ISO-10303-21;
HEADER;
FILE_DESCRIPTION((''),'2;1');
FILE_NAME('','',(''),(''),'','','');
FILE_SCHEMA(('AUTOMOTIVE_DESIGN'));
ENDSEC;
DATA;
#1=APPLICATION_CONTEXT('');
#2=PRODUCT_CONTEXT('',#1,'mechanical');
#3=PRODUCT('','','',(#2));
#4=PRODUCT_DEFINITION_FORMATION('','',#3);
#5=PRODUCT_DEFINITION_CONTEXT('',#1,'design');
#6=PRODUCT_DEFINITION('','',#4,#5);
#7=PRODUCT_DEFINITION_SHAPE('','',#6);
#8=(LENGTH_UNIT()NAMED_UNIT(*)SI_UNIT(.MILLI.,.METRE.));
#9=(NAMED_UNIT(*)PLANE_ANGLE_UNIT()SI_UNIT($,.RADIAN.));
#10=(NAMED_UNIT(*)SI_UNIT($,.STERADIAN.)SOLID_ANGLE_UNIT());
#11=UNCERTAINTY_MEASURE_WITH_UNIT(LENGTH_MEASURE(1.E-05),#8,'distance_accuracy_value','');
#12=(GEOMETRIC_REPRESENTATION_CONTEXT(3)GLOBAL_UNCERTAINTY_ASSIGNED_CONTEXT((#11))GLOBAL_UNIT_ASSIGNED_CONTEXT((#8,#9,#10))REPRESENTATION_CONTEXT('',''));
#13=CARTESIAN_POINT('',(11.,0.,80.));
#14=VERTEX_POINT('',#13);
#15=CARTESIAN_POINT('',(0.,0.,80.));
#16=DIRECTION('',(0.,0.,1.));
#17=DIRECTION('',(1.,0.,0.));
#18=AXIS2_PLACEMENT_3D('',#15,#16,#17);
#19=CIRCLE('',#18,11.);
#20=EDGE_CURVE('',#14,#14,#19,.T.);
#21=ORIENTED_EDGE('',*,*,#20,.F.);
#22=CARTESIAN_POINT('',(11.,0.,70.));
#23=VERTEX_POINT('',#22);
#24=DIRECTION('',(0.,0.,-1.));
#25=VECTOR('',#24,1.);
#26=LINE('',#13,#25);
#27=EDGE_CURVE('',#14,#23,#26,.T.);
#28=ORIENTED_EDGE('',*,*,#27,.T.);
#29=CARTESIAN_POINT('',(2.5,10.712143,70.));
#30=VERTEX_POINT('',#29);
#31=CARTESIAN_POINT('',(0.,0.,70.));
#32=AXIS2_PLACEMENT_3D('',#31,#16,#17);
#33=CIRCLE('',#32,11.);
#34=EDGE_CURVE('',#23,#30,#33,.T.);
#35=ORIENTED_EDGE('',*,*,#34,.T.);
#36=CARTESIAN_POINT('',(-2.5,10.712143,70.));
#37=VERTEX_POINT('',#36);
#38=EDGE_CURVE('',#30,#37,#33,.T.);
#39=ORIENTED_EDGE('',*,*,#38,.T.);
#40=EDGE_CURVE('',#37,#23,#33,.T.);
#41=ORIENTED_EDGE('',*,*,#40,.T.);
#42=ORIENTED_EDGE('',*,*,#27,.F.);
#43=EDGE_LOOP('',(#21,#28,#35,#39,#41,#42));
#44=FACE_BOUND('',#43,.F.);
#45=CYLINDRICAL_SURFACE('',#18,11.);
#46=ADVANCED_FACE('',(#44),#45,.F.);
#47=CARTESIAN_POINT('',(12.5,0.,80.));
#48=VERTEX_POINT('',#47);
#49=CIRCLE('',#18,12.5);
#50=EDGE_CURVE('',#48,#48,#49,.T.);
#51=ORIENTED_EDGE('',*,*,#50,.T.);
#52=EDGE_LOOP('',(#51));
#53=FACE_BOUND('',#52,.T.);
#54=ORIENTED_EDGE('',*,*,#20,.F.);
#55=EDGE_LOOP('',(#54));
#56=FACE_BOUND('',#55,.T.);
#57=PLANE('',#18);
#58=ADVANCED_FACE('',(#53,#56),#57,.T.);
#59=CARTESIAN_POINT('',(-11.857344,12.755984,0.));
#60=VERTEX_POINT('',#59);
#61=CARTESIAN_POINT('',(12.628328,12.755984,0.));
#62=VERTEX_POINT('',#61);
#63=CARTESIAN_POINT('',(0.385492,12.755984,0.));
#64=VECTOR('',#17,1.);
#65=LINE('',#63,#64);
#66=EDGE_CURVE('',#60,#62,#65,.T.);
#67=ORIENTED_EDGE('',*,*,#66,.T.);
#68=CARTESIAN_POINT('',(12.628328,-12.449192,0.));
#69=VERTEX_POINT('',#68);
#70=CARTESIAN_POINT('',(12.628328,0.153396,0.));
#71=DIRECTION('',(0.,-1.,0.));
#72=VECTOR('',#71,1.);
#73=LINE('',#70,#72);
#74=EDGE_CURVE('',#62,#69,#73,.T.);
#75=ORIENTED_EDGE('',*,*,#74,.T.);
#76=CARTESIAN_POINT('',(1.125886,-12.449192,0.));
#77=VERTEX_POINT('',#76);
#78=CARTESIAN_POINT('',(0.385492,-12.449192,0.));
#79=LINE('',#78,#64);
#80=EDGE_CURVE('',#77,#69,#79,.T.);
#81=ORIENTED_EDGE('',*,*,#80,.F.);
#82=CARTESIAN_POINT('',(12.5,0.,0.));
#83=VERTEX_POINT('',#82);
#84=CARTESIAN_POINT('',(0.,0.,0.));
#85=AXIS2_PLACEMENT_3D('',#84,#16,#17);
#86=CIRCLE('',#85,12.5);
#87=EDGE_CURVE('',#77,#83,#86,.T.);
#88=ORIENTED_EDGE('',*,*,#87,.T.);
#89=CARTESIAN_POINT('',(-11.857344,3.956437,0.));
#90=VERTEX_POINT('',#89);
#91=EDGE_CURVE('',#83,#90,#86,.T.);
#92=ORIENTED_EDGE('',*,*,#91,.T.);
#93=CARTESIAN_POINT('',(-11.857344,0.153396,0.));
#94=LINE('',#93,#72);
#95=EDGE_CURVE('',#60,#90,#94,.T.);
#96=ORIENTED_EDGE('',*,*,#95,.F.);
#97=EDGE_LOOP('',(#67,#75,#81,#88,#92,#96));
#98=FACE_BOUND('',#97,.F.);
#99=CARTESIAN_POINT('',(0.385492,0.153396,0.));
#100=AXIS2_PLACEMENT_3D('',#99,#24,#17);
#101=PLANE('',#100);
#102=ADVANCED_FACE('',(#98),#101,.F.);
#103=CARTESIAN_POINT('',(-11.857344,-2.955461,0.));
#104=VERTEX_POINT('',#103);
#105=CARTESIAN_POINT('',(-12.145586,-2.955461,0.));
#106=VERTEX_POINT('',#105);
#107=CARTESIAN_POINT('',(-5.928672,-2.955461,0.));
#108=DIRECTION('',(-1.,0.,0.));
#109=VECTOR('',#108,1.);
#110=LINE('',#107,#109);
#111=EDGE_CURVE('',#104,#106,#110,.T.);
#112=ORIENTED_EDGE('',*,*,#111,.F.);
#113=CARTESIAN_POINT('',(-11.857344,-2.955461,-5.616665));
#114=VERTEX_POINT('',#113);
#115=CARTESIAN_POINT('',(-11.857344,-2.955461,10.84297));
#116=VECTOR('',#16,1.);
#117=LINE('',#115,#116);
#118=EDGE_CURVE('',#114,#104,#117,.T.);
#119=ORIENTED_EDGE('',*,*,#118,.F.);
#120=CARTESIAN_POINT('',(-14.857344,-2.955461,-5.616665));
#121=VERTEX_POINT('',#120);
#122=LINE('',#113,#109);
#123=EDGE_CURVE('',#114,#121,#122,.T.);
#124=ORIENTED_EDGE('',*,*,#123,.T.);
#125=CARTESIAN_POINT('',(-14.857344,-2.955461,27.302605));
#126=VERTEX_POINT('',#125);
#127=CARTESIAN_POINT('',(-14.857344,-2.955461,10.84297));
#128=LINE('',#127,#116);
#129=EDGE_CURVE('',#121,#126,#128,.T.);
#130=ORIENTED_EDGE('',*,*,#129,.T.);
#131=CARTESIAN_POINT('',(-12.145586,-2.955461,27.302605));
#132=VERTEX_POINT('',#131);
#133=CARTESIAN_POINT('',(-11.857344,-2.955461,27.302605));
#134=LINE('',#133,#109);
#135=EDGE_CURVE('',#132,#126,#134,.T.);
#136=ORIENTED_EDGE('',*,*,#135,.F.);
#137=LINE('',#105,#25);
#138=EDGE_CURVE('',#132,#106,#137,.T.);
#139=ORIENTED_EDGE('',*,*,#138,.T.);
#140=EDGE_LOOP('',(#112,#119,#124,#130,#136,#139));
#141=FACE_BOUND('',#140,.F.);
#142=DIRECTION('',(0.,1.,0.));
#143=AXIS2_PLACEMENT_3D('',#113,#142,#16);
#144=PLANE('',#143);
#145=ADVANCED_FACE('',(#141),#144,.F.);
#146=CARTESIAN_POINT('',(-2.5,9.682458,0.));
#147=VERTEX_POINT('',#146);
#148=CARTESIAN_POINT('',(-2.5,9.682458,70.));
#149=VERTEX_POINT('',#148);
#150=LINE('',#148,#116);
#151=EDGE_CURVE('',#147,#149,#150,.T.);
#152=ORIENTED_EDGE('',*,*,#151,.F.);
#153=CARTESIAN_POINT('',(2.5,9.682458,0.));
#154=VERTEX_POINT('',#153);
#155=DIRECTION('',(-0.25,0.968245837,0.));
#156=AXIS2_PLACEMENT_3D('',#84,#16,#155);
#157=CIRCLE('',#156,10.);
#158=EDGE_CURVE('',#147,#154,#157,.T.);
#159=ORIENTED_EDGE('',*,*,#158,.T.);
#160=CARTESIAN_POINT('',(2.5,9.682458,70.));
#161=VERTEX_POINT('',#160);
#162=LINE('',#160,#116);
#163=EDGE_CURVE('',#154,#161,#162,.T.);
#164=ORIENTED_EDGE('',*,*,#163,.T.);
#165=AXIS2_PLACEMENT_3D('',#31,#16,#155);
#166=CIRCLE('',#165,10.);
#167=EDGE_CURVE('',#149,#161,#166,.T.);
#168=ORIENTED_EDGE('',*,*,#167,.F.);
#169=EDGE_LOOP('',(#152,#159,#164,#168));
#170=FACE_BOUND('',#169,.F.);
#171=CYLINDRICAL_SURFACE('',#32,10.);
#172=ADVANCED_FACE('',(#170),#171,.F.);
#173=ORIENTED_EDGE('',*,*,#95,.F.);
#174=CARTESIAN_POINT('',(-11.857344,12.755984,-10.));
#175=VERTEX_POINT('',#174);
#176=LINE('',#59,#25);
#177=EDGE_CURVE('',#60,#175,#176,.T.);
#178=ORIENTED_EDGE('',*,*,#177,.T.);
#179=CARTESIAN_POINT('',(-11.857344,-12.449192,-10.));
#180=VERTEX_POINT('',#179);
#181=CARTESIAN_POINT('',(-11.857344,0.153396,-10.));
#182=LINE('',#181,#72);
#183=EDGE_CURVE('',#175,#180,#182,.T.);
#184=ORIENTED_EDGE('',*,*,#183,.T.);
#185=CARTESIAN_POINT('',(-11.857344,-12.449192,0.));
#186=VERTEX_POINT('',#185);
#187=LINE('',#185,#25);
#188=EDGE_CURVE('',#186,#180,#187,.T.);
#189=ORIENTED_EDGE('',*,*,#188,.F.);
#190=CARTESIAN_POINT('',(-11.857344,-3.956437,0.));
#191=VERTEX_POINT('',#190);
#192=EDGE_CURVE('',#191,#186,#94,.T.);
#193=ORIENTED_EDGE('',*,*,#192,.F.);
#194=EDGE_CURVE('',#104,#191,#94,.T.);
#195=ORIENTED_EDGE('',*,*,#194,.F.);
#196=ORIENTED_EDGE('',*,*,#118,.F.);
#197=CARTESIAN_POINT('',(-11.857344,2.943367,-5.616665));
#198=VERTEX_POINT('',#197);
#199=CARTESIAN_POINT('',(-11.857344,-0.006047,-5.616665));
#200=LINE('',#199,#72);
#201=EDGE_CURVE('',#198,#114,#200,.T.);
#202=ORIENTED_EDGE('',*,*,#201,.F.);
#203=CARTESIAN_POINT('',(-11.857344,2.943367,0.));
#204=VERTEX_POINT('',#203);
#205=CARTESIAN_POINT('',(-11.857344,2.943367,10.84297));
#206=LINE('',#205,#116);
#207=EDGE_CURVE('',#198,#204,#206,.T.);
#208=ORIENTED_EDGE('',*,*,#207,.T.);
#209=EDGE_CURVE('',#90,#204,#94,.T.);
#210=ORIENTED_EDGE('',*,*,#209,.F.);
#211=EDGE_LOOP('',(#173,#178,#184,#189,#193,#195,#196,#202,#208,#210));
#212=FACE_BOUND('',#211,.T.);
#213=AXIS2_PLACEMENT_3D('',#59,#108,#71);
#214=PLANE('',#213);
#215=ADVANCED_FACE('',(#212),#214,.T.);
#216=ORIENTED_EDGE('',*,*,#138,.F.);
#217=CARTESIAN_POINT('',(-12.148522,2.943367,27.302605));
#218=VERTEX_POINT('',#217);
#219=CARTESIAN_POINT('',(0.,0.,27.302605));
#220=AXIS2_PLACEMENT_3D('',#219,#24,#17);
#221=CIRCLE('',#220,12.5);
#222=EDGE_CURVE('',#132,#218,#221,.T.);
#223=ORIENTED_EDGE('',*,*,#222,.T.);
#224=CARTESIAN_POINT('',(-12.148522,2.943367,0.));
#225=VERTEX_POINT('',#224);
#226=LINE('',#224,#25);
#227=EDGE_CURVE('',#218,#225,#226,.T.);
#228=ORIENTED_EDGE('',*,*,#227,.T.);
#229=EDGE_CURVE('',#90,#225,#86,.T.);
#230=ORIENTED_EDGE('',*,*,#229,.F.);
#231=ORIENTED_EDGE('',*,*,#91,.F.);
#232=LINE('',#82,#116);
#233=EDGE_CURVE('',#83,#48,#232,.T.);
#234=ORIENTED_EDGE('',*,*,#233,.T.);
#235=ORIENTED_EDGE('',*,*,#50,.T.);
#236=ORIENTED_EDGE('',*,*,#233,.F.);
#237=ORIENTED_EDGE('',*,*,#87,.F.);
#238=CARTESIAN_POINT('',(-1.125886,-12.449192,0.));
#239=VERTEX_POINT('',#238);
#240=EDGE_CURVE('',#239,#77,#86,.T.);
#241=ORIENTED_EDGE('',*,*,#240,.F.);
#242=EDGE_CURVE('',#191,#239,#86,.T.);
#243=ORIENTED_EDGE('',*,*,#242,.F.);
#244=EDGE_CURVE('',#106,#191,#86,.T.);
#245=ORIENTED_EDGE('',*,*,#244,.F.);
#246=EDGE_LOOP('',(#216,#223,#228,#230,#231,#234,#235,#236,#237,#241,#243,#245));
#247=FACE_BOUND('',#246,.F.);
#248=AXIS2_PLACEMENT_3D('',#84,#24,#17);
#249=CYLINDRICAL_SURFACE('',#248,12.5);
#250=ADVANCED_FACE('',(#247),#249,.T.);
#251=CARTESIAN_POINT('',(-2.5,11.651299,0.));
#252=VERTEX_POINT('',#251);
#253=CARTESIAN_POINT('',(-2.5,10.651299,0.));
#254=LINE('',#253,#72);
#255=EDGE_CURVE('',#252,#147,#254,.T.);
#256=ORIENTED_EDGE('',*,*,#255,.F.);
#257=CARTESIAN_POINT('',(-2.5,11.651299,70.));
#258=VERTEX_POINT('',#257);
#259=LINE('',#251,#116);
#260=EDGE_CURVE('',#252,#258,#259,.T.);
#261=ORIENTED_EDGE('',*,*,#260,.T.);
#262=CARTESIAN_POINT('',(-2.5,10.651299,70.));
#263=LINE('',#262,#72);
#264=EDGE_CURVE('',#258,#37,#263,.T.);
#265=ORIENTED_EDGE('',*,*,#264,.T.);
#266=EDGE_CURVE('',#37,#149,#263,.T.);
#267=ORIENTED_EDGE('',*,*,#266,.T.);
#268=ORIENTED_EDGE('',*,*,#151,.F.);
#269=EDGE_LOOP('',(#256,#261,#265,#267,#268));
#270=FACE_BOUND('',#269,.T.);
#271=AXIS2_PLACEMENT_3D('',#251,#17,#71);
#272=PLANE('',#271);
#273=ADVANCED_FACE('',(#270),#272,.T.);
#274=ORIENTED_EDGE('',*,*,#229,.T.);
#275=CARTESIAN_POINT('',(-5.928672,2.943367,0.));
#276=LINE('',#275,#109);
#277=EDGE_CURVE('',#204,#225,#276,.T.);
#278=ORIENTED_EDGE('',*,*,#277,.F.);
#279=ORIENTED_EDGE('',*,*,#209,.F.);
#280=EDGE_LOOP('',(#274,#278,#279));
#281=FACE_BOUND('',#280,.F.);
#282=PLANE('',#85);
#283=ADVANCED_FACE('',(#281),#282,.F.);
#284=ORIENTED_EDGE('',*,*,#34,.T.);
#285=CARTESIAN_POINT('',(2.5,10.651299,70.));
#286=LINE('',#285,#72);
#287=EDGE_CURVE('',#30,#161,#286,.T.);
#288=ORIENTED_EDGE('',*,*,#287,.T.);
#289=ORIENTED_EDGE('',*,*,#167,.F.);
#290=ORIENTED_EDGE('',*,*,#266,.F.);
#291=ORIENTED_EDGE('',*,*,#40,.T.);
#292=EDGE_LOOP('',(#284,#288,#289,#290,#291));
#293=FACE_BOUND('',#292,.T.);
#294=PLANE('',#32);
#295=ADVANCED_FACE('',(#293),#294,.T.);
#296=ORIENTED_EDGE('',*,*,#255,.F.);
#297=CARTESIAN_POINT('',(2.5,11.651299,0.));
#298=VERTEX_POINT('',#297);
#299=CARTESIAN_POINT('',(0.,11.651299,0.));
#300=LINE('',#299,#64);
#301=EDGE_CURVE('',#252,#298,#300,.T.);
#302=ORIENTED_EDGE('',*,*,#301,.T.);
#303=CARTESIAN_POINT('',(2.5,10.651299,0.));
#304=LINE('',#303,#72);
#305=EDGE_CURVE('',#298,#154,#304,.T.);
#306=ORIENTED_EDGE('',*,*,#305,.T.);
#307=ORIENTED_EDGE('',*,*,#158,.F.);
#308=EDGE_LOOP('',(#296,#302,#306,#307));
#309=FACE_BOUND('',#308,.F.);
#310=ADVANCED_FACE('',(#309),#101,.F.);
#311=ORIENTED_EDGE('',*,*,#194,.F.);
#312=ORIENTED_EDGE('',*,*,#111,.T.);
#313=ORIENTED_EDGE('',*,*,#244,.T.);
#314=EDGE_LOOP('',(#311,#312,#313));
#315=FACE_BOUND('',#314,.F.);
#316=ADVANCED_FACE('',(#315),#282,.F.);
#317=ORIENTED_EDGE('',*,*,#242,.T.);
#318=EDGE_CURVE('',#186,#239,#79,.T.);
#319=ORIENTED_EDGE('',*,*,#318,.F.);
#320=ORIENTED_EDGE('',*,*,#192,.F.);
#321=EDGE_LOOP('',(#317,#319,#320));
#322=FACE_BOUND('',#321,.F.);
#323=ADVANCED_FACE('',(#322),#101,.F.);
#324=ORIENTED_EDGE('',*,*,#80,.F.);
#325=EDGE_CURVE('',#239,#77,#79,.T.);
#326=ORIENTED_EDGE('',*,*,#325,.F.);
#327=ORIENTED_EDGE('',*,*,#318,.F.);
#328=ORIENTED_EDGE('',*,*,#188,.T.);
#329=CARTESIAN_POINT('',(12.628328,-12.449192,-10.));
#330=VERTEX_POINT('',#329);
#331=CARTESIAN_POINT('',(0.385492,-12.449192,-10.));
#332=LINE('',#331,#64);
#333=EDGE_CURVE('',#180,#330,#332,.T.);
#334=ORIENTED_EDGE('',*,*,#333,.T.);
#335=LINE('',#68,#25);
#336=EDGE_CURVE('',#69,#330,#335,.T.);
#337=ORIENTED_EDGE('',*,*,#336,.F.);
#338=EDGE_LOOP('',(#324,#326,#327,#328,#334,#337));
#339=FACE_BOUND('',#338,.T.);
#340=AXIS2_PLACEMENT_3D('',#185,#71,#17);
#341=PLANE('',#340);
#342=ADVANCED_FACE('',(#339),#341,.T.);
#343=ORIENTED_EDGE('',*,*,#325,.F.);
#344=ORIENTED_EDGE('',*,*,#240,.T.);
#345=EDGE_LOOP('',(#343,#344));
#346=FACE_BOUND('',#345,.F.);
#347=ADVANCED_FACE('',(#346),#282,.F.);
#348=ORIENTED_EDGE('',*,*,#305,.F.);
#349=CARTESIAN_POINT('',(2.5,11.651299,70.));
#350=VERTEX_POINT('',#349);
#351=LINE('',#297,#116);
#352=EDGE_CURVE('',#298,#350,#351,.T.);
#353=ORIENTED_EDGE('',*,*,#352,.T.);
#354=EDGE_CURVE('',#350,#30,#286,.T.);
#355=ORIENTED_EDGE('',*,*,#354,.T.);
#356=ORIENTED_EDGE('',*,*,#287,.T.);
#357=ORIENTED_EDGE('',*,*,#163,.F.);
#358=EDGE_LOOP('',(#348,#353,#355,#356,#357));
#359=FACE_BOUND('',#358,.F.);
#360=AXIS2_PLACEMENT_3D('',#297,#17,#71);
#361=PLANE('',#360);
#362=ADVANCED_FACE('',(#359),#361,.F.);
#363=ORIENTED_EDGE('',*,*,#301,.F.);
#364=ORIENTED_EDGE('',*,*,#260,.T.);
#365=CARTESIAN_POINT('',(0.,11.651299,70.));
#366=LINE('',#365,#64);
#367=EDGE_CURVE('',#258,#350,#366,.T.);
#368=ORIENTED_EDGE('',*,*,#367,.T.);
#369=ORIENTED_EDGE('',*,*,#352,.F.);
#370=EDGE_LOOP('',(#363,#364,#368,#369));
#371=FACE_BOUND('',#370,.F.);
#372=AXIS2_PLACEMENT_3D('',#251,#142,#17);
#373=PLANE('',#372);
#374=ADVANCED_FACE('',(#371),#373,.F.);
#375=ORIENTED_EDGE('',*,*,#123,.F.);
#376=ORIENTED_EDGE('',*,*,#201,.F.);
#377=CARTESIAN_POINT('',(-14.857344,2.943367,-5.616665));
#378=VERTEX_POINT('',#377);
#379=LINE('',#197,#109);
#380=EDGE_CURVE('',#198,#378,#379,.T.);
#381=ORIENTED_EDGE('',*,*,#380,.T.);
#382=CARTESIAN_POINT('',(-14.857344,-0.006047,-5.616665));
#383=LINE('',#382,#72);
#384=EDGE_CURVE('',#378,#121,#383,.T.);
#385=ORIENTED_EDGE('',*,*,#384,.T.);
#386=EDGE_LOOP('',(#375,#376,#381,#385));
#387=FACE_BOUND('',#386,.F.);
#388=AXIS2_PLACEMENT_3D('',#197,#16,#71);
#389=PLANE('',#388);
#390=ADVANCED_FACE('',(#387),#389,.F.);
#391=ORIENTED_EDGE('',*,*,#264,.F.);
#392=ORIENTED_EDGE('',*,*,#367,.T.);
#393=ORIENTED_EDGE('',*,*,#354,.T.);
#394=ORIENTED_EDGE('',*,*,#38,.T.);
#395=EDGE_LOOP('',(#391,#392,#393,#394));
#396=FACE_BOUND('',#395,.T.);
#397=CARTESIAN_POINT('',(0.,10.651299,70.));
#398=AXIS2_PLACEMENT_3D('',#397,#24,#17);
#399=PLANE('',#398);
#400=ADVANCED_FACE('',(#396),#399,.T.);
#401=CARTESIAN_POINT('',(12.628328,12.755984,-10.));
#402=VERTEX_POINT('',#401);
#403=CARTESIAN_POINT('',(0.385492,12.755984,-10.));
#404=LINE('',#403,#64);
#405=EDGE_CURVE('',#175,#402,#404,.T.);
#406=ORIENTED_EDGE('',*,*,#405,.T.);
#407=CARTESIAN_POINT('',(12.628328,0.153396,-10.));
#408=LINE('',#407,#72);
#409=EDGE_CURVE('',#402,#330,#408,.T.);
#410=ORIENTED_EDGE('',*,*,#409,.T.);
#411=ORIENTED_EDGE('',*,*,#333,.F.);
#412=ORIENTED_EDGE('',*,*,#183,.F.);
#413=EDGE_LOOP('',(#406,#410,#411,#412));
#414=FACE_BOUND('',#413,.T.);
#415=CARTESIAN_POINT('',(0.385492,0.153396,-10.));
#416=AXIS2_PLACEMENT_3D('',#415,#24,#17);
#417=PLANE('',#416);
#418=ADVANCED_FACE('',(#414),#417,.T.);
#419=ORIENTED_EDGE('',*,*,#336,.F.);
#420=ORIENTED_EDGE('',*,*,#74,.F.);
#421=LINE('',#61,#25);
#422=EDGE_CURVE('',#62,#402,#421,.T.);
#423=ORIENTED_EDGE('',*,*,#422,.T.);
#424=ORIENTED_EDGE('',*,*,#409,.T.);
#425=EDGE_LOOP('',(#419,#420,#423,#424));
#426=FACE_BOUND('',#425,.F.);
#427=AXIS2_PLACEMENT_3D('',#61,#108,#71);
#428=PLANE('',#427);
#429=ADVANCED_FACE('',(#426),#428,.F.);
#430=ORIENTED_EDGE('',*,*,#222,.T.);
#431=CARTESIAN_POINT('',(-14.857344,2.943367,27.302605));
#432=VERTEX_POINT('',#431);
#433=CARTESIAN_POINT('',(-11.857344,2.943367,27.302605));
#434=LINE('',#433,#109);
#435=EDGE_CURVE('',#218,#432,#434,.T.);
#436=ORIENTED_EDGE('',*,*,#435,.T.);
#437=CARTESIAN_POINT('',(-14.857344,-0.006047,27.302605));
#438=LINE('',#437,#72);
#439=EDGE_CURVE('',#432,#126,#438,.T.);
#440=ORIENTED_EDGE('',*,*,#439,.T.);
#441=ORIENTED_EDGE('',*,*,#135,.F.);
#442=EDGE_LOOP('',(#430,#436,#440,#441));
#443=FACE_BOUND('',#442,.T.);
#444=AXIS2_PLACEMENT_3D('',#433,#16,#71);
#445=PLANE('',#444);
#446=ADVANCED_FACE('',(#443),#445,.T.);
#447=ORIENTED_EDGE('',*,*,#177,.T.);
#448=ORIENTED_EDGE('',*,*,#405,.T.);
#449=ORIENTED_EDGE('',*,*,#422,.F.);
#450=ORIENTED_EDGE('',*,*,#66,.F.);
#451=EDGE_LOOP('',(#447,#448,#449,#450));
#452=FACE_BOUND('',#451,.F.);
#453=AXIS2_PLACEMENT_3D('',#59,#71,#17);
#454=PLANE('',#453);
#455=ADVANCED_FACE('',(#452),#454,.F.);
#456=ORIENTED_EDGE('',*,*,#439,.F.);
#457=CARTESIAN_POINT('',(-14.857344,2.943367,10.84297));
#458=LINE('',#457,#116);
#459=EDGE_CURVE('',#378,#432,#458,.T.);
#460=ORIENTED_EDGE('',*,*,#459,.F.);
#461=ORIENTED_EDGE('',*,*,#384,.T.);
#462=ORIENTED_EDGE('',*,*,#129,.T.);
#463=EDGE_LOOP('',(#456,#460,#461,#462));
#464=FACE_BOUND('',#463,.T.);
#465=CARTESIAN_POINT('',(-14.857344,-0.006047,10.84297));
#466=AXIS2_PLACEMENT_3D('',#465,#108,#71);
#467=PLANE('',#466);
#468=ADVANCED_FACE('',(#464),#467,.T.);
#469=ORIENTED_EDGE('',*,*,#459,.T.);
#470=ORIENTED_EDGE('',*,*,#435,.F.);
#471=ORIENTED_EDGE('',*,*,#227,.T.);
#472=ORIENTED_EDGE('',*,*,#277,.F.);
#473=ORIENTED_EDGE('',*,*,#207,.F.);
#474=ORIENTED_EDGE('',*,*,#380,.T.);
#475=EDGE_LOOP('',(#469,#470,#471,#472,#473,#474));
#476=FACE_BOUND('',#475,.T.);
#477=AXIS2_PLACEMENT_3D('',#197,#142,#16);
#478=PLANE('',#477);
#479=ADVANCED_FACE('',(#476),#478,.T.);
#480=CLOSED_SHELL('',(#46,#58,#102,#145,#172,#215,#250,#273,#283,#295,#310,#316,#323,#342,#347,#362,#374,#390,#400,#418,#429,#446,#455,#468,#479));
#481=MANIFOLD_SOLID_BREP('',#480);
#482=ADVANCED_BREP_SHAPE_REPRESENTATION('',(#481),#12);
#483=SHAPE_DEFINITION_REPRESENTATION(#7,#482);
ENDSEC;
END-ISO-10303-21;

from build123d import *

# Parameters (mm, degrees)
SKETCH_R        = 12.5
PAD_DEPTH       = 80
SKETCH001_R     = 11
POCKET_DEPTH    = 10
SKETCH002_R     = 10
POCKET001_DEPTH = 70.001
SKETCH003_W     = 5
SKETCH003_H     = 2
POCKET002_DEPTH = 70
SKETCH004_W     = 24.485672
SKETCH004_H     = 25.205176
PAD001_DEPTH    = 10
SKETCH005_W     = 5.898827
SKETCH005_H     = 32.91927
PAD002_DEPTH    = 3


with BuildPart() as part:
    # Sketch → Pad (new body)
    with BuildSketch(Plane.XY):
        Circle(SKETCH_R)
    extrude(amount=PAD_DEPTH)

    # Sketch001 (on Face3 of Pad) → Pocket (cut)
    with BuildSketch(Plane.XY.offset(80)):
        Circle(SKETCH001_R)
    extrude(amount=-POCKET_DEPTH, mode=Mode.SUBTRACT)

    # Sketch002 (on Face5 of Pocket) → Pocket001 (cut, through all)
    with BuildSketch(Plane.XY.offset(70)):
        Circle(SKETCH002_R)
    extrude(amount=-POCKET001_DEPTH, mode=Mode.SUBTRACT)

    # Sketch003 (on Face2 of Pocket001) → Pocket002 (cut)
    with BuildSketch(Plane(origin=(0, 0, 0), x_dir=(1, 0, 0), z_dir=(0, 0, -1))):
        with Locations((0, -10.651299)):
            Rectangle(SKETCH003_W, SKETCH003_H)
    extrude(amount=-POCKET002_DEPTH, mode=Mode.SUBTRACT)

    # Sketch004 (on Face2 of Pocket002) → Pad001 (join)
    with BuildSketch(Plane(origin=(0, 0, 0), x_dir=(1, 0, 0), z_dir=(0, 0, -1))):
        with Locations((0.385492, -0.153396)):
            Rectangle(SKETCH004_W, SKETCH004_H)
    extrude(amount=PAD001_DEPTH)

    # Sketch005 (on Face7 of Pad001) → Pad002 (join)
    with BuildSketch(Plane(origin=(-11.857344, 0, 0), x_dir=(0, -1, 0), z_dir=(-1, 0, 0))):
        with Locations((0.006047, 10.84297)):
            Rectangle(SKETCH005_W, SKETCH005_H)
    extrude(amount=PAD002_DEPTH)


solid = part.part
